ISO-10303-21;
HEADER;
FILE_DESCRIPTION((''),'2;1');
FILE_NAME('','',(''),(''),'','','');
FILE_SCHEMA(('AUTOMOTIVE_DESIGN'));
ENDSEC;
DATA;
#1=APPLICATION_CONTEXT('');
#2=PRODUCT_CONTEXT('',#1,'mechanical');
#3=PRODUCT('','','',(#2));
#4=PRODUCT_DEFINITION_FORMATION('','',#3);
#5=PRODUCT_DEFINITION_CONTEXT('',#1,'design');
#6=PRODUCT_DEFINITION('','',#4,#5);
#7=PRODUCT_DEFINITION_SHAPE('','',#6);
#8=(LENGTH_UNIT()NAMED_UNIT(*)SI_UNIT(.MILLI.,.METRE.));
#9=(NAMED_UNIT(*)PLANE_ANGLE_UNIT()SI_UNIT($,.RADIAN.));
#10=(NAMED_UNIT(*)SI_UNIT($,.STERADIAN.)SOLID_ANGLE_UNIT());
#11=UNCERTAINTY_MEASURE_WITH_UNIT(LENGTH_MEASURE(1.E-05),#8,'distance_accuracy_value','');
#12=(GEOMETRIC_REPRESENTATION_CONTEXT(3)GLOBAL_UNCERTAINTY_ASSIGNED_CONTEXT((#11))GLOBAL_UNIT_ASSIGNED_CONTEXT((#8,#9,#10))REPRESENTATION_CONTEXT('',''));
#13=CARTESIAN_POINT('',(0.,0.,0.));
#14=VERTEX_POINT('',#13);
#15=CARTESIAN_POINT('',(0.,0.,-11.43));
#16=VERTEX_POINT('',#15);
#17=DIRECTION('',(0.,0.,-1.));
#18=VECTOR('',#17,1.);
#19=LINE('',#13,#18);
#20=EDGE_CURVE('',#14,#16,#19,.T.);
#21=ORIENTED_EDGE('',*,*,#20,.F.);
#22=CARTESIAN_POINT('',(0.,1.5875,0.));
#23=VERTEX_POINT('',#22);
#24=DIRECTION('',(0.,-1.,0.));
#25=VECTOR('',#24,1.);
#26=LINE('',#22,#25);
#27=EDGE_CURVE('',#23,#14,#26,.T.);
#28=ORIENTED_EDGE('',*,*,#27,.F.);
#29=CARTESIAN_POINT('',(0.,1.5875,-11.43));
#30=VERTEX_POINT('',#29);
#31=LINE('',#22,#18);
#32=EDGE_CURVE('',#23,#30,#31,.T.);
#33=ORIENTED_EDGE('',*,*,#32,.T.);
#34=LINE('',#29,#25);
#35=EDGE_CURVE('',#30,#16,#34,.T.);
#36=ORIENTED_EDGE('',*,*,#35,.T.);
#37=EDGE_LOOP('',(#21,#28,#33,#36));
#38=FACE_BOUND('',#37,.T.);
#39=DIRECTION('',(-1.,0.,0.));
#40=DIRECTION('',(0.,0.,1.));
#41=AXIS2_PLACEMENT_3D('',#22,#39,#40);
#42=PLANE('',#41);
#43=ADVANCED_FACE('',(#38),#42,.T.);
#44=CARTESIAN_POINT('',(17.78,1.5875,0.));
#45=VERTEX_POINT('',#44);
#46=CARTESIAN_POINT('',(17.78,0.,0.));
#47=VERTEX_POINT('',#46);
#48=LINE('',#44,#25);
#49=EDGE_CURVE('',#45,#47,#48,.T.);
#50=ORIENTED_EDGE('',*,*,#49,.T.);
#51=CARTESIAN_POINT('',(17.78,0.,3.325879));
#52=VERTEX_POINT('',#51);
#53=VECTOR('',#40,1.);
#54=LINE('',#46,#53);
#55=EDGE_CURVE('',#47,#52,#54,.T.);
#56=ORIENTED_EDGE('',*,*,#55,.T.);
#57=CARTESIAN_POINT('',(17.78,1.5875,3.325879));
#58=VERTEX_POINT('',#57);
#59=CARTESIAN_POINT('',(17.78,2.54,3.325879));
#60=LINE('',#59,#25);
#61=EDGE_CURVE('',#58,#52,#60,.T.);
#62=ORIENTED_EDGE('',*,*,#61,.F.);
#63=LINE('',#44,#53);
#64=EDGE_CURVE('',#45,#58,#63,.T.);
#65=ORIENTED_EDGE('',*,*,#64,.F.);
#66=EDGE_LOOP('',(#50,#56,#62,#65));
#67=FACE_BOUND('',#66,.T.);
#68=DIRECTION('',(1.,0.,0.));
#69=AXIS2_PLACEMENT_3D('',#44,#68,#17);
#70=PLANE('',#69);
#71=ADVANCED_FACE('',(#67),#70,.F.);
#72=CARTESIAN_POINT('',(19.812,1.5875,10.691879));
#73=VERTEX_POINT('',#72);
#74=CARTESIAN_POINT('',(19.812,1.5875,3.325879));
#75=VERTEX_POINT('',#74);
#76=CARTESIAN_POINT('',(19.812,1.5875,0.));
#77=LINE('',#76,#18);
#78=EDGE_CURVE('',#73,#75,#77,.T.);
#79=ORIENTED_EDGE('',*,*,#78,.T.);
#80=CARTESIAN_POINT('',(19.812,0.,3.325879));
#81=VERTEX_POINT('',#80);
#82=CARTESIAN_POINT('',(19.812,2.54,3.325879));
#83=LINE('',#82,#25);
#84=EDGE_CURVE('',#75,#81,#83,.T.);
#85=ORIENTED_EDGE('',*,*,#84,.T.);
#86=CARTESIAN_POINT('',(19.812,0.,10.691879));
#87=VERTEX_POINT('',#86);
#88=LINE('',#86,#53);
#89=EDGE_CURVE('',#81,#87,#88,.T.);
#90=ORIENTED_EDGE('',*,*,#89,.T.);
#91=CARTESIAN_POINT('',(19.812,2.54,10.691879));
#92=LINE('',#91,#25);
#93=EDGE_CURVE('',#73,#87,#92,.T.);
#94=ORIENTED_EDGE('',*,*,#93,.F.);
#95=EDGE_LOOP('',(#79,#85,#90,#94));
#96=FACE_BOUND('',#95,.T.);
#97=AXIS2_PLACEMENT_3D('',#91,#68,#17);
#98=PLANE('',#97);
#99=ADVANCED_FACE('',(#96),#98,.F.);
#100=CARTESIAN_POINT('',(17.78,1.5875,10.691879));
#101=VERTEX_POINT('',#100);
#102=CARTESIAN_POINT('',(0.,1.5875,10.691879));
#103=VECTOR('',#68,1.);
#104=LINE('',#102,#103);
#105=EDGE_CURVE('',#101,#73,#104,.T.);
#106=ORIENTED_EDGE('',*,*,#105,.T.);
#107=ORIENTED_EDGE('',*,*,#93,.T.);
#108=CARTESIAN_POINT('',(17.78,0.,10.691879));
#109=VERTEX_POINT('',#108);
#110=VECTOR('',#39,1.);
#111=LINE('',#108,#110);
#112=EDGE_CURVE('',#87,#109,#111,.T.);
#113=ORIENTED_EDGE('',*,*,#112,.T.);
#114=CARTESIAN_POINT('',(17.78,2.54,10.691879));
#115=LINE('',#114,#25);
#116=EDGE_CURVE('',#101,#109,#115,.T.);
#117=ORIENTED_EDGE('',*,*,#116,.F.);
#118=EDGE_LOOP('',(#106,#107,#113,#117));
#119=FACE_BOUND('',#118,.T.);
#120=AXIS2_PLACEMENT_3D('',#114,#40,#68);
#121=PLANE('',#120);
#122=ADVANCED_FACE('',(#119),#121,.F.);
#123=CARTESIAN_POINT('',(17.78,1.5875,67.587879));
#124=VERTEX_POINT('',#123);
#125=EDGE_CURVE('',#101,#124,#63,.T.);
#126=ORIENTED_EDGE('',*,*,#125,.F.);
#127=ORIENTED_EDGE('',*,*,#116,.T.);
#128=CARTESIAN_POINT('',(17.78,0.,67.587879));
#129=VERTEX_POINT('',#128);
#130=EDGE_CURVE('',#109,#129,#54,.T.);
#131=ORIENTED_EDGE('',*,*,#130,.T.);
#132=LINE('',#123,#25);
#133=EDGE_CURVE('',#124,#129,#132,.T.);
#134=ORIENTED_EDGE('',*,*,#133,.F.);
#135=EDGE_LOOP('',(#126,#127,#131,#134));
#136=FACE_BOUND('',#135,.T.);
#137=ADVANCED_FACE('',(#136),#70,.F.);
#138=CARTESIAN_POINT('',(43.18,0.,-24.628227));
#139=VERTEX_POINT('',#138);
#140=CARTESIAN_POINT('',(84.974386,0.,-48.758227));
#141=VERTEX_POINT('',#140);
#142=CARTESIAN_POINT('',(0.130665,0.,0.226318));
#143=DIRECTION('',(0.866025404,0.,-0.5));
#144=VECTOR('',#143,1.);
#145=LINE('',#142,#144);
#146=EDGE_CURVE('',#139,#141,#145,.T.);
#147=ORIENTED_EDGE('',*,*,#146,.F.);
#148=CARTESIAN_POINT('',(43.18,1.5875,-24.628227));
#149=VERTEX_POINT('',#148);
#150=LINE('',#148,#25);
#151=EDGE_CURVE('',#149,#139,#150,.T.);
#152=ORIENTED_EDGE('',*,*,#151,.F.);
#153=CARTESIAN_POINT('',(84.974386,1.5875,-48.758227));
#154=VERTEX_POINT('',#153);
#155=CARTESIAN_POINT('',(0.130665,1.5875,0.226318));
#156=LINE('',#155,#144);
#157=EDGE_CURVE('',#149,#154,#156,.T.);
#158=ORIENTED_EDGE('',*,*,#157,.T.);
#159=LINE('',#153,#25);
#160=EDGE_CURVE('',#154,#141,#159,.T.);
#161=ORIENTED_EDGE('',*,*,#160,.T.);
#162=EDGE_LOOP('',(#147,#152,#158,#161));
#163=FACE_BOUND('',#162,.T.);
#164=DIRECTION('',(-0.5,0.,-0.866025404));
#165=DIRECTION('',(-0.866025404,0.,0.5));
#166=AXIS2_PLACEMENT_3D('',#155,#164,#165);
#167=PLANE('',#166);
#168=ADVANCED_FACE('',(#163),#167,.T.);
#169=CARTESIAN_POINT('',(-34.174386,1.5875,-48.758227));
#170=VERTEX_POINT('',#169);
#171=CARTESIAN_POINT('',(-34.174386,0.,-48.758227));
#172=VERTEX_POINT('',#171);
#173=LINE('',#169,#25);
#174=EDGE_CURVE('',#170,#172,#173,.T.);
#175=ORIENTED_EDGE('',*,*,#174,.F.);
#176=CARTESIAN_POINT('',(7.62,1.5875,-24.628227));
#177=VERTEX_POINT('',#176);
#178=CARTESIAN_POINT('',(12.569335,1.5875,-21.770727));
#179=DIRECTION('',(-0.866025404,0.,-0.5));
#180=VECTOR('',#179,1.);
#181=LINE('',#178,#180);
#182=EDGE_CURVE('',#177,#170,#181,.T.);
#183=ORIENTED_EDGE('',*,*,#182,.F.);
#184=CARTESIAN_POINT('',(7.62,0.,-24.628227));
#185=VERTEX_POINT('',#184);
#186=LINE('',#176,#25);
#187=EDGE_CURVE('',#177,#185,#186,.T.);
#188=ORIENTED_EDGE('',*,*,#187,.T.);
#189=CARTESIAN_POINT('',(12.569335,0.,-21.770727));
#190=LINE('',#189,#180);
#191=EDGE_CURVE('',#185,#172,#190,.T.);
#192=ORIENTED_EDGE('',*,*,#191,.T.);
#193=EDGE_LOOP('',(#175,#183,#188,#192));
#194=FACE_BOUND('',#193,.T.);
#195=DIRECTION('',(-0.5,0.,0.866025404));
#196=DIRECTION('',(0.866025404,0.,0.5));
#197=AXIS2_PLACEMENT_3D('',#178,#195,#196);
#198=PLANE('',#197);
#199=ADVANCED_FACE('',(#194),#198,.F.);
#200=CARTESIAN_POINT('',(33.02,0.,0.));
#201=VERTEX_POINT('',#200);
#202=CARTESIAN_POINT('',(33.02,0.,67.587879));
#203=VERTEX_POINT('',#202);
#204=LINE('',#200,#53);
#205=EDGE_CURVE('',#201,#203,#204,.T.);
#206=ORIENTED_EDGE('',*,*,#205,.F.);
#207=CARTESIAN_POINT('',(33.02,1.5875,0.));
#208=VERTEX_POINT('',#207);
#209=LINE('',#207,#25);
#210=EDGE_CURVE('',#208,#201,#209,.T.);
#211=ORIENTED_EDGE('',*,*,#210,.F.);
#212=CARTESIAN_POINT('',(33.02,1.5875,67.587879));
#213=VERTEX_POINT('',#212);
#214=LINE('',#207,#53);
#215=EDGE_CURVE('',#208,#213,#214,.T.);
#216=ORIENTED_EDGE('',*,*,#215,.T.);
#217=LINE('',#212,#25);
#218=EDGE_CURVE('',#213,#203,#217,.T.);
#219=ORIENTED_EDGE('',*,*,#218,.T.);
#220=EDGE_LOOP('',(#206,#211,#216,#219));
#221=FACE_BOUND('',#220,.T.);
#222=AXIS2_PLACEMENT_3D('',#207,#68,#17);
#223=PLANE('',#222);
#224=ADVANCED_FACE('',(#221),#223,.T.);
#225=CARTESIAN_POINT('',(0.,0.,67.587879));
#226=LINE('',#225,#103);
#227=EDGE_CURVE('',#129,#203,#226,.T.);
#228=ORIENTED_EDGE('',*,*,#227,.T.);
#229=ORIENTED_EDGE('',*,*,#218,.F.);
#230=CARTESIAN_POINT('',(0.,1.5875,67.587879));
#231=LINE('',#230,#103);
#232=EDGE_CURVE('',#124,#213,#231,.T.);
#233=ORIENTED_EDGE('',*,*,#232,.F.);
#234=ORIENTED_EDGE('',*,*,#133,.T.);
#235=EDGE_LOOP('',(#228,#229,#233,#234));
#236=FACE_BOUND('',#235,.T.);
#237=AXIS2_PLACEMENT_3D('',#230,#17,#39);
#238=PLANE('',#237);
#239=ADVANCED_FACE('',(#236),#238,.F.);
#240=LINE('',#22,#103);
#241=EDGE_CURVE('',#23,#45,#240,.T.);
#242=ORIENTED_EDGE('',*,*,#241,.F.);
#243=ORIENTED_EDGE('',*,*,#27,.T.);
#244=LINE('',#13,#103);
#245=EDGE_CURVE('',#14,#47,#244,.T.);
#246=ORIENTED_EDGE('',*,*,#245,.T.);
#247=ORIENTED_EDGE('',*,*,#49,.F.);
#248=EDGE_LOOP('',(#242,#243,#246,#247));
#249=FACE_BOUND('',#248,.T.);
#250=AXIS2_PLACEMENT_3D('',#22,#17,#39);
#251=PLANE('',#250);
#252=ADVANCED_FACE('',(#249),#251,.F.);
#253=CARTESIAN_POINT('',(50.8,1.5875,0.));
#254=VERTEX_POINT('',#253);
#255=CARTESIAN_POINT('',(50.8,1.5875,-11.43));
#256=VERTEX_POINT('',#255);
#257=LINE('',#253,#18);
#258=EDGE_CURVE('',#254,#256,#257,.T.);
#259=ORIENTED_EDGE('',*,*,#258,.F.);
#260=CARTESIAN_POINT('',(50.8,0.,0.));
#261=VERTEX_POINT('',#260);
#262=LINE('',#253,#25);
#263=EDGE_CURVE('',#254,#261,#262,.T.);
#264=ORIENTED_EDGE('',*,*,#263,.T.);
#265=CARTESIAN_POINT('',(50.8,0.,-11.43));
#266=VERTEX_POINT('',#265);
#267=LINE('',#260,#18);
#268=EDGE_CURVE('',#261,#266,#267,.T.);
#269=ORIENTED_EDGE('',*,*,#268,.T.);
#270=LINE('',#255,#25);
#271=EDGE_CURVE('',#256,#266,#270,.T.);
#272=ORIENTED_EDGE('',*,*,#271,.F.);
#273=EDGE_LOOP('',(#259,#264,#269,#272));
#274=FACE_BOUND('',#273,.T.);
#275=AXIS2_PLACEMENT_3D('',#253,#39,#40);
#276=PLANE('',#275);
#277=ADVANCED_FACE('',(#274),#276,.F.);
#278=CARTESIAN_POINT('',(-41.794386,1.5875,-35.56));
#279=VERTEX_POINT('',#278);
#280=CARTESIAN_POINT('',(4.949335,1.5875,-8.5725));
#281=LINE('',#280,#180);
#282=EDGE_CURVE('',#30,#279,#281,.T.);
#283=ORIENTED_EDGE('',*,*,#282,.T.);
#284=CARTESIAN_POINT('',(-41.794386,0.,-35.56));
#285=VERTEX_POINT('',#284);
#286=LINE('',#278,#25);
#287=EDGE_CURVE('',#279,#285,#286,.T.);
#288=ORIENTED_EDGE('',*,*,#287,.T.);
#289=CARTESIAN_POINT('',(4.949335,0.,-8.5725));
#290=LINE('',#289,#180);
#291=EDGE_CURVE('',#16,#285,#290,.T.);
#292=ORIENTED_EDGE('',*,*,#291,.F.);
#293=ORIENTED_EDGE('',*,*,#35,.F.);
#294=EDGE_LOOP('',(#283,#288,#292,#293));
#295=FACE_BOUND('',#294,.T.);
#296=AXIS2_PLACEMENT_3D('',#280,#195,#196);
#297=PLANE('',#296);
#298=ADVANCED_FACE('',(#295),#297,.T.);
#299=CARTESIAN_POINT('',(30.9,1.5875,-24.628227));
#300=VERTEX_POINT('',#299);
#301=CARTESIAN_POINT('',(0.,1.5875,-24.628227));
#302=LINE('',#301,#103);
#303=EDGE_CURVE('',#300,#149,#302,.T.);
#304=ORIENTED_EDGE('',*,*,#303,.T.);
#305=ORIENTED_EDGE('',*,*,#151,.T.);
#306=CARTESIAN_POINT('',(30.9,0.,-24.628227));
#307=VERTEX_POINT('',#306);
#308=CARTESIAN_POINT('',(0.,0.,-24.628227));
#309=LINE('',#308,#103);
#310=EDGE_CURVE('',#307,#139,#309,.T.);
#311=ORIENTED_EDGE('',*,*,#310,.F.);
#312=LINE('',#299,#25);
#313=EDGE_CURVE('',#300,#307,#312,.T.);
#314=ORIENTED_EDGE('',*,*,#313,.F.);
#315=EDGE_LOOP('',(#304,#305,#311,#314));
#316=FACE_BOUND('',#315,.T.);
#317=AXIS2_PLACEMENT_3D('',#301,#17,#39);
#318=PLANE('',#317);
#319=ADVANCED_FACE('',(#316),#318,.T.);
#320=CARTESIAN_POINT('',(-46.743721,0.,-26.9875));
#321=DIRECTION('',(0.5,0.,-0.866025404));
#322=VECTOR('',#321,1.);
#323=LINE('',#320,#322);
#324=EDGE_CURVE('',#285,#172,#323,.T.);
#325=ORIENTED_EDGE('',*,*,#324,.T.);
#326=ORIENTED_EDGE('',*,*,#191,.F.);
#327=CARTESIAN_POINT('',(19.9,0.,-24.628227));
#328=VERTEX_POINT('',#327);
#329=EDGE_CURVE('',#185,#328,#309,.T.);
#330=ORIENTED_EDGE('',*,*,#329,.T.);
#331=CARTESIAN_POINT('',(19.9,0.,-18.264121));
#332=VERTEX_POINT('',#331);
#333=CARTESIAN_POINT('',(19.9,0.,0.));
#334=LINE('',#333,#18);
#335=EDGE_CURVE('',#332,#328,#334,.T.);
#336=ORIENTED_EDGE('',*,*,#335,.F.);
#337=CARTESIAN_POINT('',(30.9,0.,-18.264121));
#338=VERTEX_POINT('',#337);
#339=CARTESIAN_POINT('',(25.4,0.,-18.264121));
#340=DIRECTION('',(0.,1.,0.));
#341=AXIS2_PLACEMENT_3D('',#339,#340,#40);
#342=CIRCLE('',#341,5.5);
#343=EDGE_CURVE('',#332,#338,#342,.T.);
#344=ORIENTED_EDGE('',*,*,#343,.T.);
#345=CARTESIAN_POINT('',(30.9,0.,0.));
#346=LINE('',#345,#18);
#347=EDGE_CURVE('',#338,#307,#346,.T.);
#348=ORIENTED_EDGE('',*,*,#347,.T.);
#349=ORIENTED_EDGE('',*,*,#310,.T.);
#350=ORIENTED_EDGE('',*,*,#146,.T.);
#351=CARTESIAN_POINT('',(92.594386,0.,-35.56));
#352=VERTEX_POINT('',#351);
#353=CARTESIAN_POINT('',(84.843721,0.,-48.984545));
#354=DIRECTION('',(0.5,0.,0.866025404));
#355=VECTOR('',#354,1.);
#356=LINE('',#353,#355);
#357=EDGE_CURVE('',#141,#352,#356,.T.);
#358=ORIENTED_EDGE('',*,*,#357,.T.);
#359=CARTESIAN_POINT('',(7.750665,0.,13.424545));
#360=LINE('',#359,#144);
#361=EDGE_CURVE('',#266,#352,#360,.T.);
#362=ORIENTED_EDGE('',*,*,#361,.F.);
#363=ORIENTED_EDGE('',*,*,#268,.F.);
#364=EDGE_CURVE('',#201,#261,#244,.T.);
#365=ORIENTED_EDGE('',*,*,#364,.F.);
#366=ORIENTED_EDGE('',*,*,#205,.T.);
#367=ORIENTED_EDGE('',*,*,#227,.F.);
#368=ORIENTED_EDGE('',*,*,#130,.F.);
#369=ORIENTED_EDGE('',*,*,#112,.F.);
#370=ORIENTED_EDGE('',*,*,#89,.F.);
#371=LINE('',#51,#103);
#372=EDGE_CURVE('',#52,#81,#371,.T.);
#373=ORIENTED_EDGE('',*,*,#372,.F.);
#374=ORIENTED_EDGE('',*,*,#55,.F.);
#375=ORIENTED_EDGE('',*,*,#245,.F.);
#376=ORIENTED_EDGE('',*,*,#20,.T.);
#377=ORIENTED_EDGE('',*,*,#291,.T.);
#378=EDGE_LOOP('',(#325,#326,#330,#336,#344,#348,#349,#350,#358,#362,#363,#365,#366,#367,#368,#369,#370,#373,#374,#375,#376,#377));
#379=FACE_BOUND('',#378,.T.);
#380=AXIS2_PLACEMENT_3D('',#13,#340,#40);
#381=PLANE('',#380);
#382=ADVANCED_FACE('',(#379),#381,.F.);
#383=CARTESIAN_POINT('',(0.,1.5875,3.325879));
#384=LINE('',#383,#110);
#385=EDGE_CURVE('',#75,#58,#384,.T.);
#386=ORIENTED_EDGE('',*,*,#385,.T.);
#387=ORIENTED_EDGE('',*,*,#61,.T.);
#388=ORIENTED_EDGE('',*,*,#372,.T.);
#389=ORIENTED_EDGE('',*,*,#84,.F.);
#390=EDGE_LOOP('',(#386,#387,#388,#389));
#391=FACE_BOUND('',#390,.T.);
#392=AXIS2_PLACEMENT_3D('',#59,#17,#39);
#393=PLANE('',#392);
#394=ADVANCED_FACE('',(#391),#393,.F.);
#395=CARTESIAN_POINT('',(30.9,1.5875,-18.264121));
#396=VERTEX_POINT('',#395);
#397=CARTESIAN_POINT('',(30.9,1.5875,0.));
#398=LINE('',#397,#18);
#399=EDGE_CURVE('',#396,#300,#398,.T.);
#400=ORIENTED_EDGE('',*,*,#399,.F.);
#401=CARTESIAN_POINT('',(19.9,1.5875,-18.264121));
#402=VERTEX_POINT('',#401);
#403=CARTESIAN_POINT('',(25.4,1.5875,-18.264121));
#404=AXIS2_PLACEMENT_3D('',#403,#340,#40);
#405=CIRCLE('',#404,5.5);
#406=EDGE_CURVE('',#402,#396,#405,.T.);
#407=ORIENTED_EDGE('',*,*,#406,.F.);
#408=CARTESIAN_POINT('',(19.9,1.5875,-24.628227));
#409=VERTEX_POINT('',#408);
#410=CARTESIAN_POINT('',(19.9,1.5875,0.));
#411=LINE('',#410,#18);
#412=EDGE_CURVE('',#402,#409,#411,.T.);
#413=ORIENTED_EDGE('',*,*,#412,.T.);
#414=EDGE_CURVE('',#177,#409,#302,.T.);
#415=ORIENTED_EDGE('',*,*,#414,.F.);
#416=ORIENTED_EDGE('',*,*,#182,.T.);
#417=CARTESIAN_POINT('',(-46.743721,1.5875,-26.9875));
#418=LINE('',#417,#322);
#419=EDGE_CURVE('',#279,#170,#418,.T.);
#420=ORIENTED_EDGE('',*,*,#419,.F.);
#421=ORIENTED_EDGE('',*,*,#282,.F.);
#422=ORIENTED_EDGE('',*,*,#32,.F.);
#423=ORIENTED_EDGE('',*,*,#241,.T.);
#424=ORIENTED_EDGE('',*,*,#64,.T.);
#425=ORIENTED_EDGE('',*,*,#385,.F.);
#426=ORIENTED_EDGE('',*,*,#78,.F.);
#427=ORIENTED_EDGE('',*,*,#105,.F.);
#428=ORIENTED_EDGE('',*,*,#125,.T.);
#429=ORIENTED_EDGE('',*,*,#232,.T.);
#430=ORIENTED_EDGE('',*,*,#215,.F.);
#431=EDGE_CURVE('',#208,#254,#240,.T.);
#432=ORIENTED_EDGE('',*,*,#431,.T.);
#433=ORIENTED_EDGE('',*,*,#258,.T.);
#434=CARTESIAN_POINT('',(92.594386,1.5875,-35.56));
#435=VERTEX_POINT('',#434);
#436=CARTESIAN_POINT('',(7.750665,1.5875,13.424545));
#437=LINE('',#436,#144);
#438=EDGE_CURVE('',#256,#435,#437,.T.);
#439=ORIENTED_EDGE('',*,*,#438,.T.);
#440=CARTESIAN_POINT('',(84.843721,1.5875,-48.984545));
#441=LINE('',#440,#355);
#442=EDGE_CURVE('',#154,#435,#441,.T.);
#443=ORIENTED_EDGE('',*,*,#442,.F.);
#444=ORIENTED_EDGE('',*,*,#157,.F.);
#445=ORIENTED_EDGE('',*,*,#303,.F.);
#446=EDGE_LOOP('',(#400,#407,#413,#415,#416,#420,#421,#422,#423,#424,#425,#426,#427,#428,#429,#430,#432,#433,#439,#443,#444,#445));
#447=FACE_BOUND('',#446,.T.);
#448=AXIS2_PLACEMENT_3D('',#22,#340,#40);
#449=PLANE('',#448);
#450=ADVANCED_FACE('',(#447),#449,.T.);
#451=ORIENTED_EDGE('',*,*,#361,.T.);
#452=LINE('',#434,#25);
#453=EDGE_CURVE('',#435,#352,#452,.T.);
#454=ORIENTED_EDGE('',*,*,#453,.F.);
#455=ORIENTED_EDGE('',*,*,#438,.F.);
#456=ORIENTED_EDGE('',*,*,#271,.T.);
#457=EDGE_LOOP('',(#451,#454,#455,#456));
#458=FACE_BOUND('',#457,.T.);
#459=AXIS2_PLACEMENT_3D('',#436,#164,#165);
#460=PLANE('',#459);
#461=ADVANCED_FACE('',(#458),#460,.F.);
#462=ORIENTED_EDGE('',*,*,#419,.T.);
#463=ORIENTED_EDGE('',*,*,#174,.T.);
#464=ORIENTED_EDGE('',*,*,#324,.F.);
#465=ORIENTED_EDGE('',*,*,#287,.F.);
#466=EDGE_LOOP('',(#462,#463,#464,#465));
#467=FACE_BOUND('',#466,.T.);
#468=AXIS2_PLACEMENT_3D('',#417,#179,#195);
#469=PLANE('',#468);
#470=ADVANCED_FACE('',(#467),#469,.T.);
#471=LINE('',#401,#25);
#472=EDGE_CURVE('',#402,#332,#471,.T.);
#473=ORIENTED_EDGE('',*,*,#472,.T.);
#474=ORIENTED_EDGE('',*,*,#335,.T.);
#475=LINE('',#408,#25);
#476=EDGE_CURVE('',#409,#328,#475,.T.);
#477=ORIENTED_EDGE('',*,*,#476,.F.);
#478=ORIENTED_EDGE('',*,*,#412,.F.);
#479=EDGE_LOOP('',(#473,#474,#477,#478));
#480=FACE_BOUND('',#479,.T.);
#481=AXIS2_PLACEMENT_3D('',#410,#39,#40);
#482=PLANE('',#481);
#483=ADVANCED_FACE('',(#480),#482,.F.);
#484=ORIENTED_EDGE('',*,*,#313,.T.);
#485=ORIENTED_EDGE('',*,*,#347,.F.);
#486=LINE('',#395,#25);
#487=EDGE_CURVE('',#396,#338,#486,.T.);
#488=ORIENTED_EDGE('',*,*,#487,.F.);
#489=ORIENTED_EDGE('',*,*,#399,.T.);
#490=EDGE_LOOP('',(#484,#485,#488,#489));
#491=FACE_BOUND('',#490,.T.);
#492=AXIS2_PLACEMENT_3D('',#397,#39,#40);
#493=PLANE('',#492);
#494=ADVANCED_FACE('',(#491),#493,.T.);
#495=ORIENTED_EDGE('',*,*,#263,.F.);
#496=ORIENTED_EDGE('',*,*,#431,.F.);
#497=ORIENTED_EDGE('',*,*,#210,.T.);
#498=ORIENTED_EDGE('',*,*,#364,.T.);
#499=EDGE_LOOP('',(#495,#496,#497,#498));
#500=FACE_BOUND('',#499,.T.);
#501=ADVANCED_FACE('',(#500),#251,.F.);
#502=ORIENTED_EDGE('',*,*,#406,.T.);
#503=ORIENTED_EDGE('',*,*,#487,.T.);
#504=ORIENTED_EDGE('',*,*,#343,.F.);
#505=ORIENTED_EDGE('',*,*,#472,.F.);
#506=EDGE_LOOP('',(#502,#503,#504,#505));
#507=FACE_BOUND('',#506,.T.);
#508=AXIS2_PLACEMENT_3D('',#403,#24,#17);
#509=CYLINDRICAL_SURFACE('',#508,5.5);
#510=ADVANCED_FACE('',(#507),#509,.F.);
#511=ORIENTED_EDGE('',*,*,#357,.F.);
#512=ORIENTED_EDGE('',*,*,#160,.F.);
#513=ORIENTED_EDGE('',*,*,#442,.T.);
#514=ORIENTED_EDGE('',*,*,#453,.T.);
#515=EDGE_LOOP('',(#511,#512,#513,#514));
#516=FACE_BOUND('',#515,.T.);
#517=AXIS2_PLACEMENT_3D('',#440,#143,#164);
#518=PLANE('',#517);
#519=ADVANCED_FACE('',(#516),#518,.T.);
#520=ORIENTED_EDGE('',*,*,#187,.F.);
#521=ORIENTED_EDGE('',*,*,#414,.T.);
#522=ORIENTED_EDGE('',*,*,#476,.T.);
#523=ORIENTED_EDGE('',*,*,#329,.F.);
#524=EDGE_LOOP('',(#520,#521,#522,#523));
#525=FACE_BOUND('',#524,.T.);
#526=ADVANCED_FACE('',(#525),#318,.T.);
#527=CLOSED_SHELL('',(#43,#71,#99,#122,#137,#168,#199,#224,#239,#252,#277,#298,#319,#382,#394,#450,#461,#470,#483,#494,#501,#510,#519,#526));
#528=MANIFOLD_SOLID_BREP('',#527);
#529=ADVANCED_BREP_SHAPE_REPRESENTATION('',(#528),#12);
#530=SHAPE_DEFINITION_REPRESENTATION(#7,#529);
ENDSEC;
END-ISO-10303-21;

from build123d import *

# Parameters (mm, degrees)
SKETCH1_W           = 15.24
SKETCH1_H           = 19.327878735
SKETCH1_H_2         = 48.26
BOSS_EXTRUDE2_DEPTH = 1.5875
SKETCH6_W           = 2.032
SKETCH6_H           = 7.366
CUT_EXTRUDE4_DEPTH  = 2.54


with BuildPart() as part:
    # Sketch1 → Boss-Extrude2 (new body)
    with BuildSketch(Plane(origin=(0, 0, 0), x_dir=(1, 0, 0), z_dir=(0, 1, 0))):
        Polygon((50.8, 11.43), (0, 11.43), (0, 0), (17.78, 0), (33.02, 0), (50.8, 0), align=None)
        with BuildLine():
            Line((7.62, 24.628227154), (0, 11.43))
            Line((0, 11.43), (50.8, 11.43))
            Line((50.8, 11.43), (43.18, 24.628227154))
            Line((43.18, 24.628227154), (30.9, 24.628227154))
            Line((30.9, 24.628227154), (30.9, 18.264121265))
            ThreePointArc((30.9, 18.264121265), (25.4, 12.764121265), (19.9, 18.264121265))
            Line((19.9, 18.264121265), (19.9, 24.628227154))
            Line((19.9, 24.628227154), (7.62, 24.628227154))
        make_face()
        with Locations((25.4, -9.663939368)):
            Rectangle(SKETCH1_W, SKETCH1_H)
        Polygon((-41.794385987, 35.56), (-34.174385987, 48.758227154), (7.62, 24.628227154), (0, 11.43), align=None)
        with Locations((25.4, -43.457878735)):
            Rectangle(SKETCH1_W, SKETCH1_H_2)
        Polygon((84.974385987, 48.758227154), (92.594385987, 35.56), (50.8, 11.43), (43.18, 24.628227154), align=None)
    extrude(amount=BOSS_EXTRUDE2_DEPTH)

    # Sketch6 → Cut-Extrude4 (cut)
    with BuildSketch(Plane(origin=(0, 0, 0), x_dir=(-1, 0, 0), z_dir=(0, -1, 0))):
        with Locations((-18.796, -7.008878735)):
            Rectangle(SKETCH6_W, SKETCH6_H)
    extrude(amount=-CUT_EXTRUDE4_DEPTH, mode=Mode.SUBTRACT)


solid = part.part
